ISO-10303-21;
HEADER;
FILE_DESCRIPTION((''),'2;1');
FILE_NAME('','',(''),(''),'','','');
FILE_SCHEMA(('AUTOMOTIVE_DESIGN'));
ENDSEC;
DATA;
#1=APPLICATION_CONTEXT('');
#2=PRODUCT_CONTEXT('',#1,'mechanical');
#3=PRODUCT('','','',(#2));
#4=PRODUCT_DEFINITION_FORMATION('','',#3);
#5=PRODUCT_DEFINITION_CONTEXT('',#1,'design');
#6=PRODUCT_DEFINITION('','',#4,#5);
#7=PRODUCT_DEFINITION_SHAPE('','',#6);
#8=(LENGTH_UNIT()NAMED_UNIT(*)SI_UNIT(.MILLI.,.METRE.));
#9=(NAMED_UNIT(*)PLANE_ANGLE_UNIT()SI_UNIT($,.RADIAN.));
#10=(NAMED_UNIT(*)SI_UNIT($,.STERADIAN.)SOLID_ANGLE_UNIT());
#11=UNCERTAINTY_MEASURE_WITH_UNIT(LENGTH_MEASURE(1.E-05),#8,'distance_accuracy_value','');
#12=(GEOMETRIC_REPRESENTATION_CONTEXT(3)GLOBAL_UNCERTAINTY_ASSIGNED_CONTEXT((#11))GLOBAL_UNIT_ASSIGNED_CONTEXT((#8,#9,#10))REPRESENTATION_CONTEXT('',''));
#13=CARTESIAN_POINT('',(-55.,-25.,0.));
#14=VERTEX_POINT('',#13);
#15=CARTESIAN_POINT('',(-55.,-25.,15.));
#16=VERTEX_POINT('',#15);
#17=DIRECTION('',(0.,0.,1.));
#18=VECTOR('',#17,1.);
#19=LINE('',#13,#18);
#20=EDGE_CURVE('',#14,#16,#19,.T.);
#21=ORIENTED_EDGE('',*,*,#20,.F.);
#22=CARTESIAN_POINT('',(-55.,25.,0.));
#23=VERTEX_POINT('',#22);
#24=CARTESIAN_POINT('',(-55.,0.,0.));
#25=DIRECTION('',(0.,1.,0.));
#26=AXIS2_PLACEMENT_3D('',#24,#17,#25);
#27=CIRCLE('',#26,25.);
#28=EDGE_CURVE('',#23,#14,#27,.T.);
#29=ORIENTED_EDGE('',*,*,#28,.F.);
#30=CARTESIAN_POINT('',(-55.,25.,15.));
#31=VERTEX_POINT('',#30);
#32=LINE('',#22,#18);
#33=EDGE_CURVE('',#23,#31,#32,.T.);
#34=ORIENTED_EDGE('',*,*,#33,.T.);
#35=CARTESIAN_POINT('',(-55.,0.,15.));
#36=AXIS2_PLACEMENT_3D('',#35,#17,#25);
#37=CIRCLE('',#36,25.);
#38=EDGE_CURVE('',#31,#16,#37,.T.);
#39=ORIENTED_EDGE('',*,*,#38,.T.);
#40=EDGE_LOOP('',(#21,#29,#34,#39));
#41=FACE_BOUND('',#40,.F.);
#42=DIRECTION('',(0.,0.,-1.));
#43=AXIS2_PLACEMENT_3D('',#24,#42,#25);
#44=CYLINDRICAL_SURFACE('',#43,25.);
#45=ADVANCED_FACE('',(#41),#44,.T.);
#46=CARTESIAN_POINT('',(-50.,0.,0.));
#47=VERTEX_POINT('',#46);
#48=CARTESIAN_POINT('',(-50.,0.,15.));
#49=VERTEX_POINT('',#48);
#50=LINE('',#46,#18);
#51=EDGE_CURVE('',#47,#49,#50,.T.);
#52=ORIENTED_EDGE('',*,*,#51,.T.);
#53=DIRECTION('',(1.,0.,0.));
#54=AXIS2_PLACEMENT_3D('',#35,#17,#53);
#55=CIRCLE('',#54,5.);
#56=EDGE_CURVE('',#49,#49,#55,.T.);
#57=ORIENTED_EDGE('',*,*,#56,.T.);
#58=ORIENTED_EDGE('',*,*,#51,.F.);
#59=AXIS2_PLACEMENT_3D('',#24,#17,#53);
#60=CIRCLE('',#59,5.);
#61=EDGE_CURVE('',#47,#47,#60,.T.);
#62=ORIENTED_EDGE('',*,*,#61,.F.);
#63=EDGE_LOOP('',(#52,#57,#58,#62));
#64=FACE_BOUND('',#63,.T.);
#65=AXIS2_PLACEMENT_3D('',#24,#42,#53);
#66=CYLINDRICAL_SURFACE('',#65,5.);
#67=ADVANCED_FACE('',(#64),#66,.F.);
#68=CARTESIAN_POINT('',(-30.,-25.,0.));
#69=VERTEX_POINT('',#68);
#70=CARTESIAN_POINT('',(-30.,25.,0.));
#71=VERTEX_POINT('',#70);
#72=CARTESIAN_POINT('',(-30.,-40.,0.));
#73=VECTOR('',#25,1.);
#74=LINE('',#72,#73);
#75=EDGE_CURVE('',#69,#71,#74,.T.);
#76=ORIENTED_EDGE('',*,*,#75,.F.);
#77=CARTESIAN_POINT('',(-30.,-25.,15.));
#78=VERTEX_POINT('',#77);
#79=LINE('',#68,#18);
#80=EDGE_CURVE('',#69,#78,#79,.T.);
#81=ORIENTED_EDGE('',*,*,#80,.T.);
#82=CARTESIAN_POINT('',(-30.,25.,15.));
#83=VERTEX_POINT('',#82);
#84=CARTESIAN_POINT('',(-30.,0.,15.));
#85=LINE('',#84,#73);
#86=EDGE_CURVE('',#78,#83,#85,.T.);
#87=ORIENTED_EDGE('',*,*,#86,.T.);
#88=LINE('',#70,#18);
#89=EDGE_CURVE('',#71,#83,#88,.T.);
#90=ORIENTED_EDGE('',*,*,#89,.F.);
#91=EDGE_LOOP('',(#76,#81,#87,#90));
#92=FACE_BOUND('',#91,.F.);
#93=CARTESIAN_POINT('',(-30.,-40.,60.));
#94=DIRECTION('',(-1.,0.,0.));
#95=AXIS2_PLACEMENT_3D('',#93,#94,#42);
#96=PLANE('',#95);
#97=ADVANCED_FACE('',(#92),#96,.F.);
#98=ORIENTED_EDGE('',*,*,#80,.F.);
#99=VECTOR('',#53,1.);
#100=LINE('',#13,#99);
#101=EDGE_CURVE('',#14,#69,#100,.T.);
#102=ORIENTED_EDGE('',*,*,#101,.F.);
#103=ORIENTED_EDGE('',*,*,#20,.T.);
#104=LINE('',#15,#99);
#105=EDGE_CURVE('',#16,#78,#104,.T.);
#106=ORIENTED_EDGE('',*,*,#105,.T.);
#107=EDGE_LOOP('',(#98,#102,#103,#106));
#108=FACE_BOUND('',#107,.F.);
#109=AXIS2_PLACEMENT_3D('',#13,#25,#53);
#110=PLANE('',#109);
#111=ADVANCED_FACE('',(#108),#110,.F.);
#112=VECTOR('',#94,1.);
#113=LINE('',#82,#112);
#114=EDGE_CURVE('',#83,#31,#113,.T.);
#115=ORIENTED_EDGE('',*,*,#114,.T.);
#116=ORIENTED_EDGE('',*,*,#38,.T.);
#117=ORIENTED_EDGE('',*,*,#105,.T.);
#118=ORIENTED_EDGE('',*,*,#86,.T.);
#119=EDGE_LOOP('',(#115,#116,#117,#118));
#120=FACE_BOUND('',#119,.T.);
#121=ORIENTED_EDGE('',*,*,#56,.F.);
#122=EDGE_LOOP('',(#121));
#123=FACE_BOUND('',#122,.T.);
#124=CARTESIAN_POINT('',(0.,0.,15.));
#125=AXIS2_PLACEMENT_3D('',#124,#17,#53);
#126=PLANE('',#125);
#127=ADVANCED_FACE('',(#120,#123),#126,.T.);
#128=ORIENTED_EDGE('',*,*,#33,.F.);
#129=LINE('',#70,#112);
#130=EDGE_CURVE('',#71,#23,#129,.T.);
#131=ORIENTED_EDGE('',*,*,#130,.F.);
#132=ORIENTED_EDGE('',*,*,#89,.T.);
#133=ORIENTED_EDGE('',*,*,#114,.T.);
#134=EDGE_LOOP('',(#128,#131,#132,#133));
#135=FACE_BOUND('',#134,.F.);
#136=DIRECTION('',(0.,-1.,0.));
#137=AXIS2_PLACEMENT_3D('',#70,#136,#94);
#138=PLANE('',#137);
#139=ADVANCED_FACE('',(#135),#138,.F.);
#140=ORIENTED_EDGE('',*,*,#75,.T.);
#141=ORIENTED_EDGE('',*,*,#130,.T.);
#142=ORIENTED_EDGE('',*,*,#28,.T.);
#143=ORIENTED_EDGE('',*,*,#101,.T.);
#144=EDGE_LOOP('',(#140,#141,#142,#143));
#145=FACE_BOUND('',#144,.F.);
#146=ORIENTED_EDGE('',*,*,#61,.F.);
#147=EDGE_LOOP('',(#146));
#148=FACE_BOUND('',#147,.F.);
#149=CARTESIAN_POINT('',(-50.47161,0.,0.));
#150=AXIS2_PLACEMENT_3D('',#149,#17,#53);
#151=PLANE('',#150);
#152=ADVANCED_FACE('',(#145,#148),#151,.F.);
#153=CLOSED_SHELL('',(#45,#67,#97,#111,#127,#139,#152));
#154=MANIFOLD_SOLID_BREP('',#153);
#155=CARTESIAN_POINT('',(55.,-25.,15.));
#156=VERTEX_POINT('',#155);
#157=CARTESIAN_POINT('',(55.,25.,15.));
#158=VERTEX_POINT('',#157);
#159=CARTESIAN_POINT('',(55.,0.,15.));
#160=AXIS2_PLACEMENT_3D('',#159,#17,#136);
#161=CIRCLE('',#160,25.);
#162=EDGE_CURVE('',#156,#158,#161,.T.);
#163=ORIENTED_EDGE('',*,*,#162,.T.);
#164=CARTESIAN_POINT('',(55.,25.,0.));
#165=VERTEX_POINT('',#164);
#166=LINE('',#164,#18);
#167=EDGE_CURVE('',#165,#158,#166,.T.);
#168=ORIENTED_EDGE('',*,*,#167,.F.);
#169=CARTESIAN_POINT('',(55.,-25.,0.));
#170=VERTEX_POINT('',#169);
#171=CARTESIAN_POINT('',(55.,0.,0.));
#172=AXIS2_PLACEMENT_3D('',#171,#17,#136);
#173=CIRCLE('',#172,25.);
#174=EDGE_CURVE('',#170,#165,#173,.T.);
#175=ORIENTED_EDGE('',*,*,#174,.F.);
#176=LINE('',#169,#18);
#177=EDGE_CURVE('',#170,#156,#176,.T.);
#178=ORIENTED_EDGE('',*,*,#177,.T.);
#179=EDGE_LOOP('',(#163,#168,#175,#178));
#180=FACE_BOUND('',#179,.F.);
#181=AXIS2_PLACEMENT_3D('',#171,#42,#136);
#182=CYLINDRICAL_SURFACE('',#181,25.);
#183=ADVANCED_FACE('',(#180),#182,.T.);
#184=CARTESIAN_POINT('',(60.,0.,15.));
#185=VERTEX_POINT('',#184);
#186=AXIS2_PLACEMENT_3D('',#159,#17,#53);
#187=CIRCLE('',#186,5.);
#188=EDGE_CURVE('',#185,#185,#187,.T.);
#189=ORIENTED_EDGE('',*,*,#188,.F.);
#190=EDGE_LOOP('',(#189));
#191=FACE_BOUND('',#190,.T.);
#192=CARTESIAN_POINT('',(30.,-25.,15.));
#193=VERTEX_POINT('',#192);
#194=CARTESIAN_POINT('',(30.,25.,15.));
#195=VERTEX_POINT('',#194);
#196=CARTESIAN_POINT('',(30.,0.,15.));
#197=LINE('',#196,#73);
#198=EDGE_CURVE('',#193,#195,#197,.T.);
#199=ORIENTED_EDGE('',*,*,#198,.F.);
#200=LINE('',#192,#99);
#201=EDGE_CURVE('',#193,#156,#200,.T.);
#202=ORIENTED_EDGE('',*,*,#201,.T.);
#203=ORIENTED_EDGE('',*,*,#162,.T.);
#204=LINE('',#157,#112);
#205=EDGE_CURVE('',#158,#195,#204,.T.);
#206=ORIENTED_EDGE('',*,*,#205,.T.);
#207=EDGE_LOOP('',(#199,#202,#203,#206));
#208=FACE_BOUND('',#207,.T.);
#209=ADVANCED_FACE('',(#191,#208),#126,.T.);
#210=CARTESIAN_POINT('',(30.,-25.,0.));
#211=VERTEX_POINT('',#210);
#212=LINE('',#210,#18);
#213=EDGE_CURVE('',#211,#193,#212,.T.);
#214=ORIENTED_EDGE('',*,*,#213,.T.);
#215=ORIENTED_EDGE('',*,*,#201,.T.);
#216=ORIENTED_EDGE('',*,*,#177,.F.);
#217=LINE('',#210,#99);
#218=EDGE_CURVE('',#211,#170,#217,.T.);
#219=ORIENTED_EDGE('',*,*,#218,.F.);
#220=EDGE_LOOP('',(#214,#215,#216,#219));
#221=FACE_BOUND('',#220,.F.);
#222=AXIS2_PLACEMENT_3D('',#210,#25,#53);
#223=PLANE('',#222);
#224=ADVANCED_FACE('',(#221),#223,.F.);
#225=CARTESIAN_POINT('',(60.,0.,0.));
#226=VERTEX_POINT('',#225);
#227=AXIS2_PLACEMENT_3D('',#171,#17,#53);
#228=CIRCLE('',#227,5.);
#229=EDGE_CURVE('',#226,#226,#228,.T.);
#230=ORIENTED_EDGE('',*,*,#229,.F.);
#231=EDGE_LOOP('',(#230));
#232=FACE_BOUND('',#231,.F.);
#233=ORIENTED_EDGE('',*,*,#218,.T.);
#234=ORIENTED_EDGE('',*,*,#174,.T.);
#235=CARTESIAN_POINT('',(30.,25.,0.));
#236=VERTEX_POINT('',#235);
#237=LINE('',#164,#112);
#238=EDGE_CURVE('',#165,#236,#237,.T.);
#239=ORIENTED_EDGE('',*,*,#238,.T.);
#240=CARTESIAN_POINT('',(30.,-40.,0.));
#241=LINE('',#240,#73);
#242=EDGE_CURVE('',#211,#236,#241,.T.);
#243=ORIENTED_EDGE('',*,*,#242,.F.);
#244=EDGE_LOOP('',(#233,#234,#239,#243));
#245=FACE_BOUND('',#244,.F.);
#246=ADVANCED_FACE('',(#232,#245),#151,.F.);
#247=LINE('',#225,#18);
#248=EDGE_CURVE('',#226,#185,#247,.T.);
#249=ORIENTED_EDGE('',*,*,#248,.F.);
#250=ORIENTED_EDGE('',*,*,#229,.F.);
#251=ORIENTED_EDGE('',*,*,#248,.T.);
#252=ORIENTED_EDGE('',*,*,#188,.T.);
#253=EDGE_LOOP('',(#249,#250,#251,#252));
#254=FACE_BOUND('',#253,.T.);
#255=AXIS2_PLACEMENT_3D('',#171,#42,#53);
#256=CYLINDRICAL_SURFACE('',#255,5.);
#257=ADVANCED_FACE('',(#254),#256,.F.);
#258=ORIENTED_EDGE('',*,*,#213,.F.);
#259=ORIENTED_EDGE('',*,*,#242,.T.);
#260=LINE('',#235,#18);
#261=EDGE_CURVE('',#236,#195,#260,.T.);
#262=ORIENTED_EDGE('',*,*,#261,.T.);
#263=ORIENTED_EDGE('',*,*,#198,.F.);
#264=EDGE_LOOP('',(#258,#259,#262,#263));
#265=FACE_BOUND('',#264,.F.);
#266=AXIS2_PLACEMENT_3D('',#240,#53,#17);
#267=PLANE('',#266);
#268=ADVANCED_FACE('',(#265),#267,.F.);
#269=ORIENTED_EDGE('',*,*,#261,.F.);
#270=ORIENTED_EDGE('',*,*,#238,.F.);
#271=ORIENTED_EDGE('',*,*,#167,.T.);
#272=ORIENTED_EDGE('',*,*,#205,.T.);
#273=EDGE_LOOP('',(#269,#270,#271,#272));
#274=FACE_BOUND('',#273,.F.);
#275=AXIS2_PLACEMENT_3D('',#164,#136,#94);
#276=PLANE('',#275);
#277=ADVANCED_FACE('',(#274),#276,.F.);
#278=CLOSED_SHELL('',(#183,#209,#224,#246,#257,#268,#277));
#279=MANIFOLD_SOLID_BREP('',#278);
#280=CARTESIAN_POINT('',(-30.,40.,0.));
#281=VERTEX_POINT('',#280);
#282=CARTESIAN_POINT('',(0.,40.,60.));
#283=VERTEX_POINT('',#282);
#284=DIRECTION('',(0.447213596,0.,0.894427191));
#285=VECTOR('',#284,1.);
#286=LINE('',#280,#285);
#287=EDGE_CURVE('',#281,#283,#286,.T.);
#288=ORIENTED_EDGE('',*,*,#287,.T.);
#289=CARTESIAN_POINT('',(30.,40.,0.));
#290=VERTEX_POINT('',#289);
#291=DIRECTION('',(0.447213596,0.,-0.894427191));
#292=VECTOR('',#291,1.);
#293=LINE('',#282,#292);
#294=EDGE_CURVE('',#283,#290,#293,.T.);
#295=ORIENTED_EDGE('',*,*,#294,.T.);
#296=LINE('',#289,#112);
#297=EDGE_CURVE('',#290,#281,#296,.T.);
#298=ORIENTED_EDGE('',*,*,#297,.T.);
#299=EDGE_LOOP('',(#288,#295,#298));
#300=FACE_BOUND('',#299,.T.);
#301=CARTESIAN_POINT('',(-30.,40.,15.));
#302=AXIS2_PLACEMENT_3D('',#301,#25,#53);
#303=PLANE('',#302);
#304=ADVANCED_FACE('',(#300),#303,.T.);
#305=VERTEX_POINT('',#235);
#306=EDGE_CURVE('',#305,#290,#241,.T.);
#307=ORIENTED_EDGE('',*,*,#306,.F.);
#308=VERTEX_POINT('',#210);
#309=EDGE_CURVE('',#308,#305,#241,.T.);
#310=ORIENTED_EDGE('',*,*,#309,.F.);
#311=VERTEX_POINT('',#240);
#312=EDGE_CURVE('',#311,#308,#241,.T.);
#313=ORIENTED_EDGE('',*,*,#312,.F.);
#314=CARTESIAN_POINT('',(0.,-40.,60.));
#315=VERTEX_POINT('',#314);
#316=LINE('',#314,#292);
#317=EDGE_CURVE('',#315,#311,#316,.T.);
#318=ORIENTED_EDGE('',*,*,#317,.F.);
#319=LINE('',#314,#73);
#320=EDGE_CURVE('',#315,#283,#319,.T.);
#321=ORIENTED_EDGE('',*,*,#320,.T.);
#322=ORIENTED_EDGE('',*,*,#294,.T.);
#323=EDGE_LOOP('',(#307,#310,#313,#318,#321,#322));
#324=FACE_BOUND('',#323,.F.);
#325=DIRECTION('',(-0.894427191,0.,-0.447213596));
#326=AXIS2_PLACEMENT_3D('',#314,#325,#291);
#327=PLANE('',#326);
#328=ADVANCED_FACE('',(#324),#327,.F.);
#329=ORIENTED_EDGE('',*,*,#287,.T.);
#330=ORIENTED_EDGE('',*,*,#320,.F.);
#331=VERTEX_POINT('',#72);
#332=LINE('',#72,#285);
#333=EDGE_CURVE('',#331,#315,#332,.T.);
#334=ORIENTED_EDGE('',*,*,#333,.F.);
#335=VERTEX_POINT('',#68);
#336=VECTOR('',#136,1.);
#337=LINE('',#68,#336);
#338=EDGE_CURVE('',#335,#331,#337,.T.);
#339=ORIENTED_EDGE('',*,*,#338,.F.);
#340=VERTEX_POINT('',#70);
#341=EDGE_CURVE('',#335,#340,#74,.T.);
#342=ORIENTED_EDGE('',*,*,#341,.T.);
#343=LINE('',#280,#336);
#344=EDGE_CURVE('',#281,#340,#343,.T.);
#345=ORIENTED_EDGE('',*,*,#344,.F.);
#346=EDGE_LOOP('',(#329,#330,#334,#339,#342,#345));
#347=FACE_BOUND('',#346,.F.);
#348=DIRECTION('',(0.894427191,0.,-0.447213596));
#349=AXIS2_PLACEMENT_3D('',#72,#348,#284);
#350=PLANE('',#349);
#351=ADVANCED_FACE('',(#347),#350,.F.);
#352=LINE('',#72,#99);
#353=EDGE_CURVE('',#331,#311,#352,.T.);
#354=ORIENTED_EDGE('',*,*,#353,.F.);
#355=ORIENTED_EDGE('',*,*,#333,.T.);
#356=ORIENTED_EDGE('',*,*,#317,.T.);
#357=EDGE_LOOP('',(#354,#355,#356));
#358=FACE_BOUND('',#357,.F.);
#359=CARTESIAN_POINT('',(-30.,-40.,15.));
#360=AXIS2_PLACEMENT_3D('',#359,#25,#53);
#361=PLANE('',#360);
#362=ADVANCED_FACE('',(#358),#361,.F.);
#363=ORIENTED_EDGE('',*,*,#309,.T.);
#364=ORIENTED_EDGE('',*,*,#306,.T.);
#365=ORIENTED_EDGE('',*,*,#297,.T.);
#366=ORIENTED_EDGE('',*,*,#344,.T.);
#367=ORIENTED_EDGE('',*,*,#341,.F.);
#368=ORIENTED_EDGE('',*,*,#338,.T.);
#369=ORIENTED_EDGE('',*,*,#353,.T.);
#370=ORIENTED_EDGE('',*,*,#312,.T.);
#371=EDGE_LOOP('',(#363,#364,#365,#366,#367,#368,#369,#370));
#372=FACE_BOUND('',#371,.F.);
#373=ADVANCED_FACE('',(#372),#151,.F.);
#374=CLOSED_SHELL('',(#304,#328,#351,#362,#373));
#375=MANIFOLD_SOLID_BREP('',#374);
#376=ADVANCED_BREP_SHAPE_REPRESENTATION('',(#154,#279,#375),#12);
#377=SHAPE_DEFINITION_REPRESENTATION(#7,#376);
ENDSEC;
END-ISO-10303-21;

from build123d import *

# Parameters (mm, degrees)
F0_R      = 5
F1_DEPTH  = 60
F1_FACE_R = 5
F2_DEPTH  = 45
F3_W      = 60
F3_H      = 80
F4_DEPTH  = 45
F6_DEPTH  = 80


with BuildPart() as f1:
    # F0 (on Top) → F1 (new body)
    with BuildSketch(Plane.XY):
        with BuildLine():
            Line((-30, -25), (-30, 0))
            Line((-30, 0), (-30, 25))
            Line((-30, 25), (-55, 25))
            ThreePointArc((-55, 25), (-80, 0), (-55, -25))
            Line((-55, -25), (-30, -25))
        make_face()
        with Locations((-55, 0)):
            Circle(F0_R, mode=Mode.SUBTRACT)
        Polygon((-30, 25), (-30, 0), (-30, -25), (-30, -40), (0, -40), (30, -40), (30, -25), (30, 25), (30, 40), (0, 40), (-30, 40), align=None)
        with BuildLine():
            Line((55, 25), (30, 25))
            Line((30, 25), (30, -25))
            Line((30, -25), (55, -25))
            ThreePointArc((55, -25), (80, 0), (55, 25))
        make_face()
        with Locations((55, 0)):
            Circle(F0_R, mode=Mode.SUBTRACT)
    extrude(amount=F1_DEPTH)

    # F1_face (on face) → F2 (cut)
    with BuildSketch(Plane.XY.offset(60)):
        with BuildLine():
            Line((-30, -25), (-30, -40))
            Line((-30, -40), (30, -40))
            Line((30, -40), (30, -25))
            Line((30, -25), (55, -25))
            ThreePointArc((55, -25), (80, 0), (55, 25))
            Line((55, 25), (30, 25))
            Line((30, 25), (30, 40))
            Line((30, 40), (-30, 40))
            Line((-30, 40), (-30, 25))
            Line((-30, 25), (-55, 25))
            ThreePointArc((-55, 25), (-80, 0), (-55, -25))
            Line((-55, -25), (-30, -25))
        make_face()
        with Locations((-55, 0)):
            Circle(F1_FACE_R, mode=Mode.SUBTRACT)
        with Locations((55, 0)):
            Circle(F1_FACE_R, mode=Mode.SUBTRACT)
    extrude(amount=-F2_DEPTH, mode=Mode.SUBTRACT)

    # F3 (on face) → F4 (join)
    with BuildSketch(Plane.XY.offset(15)):
        Rectangle(F3_W, F3_H)
    extrude(amount=F4_DEPTH)

    # F5 (on face) → F6 (cut)
    with BuildSketch(Plane.XZ.offset(40)):
        Polygon((-30, 60), (-30, 0), (0, 60), align=None)
        Polygon((30, 60), (0, 60), (30, 0), align=None)
    extrude(amount=-F6_DEPTH, mode=Mode.SUBTRACT)


solid = f1.part
